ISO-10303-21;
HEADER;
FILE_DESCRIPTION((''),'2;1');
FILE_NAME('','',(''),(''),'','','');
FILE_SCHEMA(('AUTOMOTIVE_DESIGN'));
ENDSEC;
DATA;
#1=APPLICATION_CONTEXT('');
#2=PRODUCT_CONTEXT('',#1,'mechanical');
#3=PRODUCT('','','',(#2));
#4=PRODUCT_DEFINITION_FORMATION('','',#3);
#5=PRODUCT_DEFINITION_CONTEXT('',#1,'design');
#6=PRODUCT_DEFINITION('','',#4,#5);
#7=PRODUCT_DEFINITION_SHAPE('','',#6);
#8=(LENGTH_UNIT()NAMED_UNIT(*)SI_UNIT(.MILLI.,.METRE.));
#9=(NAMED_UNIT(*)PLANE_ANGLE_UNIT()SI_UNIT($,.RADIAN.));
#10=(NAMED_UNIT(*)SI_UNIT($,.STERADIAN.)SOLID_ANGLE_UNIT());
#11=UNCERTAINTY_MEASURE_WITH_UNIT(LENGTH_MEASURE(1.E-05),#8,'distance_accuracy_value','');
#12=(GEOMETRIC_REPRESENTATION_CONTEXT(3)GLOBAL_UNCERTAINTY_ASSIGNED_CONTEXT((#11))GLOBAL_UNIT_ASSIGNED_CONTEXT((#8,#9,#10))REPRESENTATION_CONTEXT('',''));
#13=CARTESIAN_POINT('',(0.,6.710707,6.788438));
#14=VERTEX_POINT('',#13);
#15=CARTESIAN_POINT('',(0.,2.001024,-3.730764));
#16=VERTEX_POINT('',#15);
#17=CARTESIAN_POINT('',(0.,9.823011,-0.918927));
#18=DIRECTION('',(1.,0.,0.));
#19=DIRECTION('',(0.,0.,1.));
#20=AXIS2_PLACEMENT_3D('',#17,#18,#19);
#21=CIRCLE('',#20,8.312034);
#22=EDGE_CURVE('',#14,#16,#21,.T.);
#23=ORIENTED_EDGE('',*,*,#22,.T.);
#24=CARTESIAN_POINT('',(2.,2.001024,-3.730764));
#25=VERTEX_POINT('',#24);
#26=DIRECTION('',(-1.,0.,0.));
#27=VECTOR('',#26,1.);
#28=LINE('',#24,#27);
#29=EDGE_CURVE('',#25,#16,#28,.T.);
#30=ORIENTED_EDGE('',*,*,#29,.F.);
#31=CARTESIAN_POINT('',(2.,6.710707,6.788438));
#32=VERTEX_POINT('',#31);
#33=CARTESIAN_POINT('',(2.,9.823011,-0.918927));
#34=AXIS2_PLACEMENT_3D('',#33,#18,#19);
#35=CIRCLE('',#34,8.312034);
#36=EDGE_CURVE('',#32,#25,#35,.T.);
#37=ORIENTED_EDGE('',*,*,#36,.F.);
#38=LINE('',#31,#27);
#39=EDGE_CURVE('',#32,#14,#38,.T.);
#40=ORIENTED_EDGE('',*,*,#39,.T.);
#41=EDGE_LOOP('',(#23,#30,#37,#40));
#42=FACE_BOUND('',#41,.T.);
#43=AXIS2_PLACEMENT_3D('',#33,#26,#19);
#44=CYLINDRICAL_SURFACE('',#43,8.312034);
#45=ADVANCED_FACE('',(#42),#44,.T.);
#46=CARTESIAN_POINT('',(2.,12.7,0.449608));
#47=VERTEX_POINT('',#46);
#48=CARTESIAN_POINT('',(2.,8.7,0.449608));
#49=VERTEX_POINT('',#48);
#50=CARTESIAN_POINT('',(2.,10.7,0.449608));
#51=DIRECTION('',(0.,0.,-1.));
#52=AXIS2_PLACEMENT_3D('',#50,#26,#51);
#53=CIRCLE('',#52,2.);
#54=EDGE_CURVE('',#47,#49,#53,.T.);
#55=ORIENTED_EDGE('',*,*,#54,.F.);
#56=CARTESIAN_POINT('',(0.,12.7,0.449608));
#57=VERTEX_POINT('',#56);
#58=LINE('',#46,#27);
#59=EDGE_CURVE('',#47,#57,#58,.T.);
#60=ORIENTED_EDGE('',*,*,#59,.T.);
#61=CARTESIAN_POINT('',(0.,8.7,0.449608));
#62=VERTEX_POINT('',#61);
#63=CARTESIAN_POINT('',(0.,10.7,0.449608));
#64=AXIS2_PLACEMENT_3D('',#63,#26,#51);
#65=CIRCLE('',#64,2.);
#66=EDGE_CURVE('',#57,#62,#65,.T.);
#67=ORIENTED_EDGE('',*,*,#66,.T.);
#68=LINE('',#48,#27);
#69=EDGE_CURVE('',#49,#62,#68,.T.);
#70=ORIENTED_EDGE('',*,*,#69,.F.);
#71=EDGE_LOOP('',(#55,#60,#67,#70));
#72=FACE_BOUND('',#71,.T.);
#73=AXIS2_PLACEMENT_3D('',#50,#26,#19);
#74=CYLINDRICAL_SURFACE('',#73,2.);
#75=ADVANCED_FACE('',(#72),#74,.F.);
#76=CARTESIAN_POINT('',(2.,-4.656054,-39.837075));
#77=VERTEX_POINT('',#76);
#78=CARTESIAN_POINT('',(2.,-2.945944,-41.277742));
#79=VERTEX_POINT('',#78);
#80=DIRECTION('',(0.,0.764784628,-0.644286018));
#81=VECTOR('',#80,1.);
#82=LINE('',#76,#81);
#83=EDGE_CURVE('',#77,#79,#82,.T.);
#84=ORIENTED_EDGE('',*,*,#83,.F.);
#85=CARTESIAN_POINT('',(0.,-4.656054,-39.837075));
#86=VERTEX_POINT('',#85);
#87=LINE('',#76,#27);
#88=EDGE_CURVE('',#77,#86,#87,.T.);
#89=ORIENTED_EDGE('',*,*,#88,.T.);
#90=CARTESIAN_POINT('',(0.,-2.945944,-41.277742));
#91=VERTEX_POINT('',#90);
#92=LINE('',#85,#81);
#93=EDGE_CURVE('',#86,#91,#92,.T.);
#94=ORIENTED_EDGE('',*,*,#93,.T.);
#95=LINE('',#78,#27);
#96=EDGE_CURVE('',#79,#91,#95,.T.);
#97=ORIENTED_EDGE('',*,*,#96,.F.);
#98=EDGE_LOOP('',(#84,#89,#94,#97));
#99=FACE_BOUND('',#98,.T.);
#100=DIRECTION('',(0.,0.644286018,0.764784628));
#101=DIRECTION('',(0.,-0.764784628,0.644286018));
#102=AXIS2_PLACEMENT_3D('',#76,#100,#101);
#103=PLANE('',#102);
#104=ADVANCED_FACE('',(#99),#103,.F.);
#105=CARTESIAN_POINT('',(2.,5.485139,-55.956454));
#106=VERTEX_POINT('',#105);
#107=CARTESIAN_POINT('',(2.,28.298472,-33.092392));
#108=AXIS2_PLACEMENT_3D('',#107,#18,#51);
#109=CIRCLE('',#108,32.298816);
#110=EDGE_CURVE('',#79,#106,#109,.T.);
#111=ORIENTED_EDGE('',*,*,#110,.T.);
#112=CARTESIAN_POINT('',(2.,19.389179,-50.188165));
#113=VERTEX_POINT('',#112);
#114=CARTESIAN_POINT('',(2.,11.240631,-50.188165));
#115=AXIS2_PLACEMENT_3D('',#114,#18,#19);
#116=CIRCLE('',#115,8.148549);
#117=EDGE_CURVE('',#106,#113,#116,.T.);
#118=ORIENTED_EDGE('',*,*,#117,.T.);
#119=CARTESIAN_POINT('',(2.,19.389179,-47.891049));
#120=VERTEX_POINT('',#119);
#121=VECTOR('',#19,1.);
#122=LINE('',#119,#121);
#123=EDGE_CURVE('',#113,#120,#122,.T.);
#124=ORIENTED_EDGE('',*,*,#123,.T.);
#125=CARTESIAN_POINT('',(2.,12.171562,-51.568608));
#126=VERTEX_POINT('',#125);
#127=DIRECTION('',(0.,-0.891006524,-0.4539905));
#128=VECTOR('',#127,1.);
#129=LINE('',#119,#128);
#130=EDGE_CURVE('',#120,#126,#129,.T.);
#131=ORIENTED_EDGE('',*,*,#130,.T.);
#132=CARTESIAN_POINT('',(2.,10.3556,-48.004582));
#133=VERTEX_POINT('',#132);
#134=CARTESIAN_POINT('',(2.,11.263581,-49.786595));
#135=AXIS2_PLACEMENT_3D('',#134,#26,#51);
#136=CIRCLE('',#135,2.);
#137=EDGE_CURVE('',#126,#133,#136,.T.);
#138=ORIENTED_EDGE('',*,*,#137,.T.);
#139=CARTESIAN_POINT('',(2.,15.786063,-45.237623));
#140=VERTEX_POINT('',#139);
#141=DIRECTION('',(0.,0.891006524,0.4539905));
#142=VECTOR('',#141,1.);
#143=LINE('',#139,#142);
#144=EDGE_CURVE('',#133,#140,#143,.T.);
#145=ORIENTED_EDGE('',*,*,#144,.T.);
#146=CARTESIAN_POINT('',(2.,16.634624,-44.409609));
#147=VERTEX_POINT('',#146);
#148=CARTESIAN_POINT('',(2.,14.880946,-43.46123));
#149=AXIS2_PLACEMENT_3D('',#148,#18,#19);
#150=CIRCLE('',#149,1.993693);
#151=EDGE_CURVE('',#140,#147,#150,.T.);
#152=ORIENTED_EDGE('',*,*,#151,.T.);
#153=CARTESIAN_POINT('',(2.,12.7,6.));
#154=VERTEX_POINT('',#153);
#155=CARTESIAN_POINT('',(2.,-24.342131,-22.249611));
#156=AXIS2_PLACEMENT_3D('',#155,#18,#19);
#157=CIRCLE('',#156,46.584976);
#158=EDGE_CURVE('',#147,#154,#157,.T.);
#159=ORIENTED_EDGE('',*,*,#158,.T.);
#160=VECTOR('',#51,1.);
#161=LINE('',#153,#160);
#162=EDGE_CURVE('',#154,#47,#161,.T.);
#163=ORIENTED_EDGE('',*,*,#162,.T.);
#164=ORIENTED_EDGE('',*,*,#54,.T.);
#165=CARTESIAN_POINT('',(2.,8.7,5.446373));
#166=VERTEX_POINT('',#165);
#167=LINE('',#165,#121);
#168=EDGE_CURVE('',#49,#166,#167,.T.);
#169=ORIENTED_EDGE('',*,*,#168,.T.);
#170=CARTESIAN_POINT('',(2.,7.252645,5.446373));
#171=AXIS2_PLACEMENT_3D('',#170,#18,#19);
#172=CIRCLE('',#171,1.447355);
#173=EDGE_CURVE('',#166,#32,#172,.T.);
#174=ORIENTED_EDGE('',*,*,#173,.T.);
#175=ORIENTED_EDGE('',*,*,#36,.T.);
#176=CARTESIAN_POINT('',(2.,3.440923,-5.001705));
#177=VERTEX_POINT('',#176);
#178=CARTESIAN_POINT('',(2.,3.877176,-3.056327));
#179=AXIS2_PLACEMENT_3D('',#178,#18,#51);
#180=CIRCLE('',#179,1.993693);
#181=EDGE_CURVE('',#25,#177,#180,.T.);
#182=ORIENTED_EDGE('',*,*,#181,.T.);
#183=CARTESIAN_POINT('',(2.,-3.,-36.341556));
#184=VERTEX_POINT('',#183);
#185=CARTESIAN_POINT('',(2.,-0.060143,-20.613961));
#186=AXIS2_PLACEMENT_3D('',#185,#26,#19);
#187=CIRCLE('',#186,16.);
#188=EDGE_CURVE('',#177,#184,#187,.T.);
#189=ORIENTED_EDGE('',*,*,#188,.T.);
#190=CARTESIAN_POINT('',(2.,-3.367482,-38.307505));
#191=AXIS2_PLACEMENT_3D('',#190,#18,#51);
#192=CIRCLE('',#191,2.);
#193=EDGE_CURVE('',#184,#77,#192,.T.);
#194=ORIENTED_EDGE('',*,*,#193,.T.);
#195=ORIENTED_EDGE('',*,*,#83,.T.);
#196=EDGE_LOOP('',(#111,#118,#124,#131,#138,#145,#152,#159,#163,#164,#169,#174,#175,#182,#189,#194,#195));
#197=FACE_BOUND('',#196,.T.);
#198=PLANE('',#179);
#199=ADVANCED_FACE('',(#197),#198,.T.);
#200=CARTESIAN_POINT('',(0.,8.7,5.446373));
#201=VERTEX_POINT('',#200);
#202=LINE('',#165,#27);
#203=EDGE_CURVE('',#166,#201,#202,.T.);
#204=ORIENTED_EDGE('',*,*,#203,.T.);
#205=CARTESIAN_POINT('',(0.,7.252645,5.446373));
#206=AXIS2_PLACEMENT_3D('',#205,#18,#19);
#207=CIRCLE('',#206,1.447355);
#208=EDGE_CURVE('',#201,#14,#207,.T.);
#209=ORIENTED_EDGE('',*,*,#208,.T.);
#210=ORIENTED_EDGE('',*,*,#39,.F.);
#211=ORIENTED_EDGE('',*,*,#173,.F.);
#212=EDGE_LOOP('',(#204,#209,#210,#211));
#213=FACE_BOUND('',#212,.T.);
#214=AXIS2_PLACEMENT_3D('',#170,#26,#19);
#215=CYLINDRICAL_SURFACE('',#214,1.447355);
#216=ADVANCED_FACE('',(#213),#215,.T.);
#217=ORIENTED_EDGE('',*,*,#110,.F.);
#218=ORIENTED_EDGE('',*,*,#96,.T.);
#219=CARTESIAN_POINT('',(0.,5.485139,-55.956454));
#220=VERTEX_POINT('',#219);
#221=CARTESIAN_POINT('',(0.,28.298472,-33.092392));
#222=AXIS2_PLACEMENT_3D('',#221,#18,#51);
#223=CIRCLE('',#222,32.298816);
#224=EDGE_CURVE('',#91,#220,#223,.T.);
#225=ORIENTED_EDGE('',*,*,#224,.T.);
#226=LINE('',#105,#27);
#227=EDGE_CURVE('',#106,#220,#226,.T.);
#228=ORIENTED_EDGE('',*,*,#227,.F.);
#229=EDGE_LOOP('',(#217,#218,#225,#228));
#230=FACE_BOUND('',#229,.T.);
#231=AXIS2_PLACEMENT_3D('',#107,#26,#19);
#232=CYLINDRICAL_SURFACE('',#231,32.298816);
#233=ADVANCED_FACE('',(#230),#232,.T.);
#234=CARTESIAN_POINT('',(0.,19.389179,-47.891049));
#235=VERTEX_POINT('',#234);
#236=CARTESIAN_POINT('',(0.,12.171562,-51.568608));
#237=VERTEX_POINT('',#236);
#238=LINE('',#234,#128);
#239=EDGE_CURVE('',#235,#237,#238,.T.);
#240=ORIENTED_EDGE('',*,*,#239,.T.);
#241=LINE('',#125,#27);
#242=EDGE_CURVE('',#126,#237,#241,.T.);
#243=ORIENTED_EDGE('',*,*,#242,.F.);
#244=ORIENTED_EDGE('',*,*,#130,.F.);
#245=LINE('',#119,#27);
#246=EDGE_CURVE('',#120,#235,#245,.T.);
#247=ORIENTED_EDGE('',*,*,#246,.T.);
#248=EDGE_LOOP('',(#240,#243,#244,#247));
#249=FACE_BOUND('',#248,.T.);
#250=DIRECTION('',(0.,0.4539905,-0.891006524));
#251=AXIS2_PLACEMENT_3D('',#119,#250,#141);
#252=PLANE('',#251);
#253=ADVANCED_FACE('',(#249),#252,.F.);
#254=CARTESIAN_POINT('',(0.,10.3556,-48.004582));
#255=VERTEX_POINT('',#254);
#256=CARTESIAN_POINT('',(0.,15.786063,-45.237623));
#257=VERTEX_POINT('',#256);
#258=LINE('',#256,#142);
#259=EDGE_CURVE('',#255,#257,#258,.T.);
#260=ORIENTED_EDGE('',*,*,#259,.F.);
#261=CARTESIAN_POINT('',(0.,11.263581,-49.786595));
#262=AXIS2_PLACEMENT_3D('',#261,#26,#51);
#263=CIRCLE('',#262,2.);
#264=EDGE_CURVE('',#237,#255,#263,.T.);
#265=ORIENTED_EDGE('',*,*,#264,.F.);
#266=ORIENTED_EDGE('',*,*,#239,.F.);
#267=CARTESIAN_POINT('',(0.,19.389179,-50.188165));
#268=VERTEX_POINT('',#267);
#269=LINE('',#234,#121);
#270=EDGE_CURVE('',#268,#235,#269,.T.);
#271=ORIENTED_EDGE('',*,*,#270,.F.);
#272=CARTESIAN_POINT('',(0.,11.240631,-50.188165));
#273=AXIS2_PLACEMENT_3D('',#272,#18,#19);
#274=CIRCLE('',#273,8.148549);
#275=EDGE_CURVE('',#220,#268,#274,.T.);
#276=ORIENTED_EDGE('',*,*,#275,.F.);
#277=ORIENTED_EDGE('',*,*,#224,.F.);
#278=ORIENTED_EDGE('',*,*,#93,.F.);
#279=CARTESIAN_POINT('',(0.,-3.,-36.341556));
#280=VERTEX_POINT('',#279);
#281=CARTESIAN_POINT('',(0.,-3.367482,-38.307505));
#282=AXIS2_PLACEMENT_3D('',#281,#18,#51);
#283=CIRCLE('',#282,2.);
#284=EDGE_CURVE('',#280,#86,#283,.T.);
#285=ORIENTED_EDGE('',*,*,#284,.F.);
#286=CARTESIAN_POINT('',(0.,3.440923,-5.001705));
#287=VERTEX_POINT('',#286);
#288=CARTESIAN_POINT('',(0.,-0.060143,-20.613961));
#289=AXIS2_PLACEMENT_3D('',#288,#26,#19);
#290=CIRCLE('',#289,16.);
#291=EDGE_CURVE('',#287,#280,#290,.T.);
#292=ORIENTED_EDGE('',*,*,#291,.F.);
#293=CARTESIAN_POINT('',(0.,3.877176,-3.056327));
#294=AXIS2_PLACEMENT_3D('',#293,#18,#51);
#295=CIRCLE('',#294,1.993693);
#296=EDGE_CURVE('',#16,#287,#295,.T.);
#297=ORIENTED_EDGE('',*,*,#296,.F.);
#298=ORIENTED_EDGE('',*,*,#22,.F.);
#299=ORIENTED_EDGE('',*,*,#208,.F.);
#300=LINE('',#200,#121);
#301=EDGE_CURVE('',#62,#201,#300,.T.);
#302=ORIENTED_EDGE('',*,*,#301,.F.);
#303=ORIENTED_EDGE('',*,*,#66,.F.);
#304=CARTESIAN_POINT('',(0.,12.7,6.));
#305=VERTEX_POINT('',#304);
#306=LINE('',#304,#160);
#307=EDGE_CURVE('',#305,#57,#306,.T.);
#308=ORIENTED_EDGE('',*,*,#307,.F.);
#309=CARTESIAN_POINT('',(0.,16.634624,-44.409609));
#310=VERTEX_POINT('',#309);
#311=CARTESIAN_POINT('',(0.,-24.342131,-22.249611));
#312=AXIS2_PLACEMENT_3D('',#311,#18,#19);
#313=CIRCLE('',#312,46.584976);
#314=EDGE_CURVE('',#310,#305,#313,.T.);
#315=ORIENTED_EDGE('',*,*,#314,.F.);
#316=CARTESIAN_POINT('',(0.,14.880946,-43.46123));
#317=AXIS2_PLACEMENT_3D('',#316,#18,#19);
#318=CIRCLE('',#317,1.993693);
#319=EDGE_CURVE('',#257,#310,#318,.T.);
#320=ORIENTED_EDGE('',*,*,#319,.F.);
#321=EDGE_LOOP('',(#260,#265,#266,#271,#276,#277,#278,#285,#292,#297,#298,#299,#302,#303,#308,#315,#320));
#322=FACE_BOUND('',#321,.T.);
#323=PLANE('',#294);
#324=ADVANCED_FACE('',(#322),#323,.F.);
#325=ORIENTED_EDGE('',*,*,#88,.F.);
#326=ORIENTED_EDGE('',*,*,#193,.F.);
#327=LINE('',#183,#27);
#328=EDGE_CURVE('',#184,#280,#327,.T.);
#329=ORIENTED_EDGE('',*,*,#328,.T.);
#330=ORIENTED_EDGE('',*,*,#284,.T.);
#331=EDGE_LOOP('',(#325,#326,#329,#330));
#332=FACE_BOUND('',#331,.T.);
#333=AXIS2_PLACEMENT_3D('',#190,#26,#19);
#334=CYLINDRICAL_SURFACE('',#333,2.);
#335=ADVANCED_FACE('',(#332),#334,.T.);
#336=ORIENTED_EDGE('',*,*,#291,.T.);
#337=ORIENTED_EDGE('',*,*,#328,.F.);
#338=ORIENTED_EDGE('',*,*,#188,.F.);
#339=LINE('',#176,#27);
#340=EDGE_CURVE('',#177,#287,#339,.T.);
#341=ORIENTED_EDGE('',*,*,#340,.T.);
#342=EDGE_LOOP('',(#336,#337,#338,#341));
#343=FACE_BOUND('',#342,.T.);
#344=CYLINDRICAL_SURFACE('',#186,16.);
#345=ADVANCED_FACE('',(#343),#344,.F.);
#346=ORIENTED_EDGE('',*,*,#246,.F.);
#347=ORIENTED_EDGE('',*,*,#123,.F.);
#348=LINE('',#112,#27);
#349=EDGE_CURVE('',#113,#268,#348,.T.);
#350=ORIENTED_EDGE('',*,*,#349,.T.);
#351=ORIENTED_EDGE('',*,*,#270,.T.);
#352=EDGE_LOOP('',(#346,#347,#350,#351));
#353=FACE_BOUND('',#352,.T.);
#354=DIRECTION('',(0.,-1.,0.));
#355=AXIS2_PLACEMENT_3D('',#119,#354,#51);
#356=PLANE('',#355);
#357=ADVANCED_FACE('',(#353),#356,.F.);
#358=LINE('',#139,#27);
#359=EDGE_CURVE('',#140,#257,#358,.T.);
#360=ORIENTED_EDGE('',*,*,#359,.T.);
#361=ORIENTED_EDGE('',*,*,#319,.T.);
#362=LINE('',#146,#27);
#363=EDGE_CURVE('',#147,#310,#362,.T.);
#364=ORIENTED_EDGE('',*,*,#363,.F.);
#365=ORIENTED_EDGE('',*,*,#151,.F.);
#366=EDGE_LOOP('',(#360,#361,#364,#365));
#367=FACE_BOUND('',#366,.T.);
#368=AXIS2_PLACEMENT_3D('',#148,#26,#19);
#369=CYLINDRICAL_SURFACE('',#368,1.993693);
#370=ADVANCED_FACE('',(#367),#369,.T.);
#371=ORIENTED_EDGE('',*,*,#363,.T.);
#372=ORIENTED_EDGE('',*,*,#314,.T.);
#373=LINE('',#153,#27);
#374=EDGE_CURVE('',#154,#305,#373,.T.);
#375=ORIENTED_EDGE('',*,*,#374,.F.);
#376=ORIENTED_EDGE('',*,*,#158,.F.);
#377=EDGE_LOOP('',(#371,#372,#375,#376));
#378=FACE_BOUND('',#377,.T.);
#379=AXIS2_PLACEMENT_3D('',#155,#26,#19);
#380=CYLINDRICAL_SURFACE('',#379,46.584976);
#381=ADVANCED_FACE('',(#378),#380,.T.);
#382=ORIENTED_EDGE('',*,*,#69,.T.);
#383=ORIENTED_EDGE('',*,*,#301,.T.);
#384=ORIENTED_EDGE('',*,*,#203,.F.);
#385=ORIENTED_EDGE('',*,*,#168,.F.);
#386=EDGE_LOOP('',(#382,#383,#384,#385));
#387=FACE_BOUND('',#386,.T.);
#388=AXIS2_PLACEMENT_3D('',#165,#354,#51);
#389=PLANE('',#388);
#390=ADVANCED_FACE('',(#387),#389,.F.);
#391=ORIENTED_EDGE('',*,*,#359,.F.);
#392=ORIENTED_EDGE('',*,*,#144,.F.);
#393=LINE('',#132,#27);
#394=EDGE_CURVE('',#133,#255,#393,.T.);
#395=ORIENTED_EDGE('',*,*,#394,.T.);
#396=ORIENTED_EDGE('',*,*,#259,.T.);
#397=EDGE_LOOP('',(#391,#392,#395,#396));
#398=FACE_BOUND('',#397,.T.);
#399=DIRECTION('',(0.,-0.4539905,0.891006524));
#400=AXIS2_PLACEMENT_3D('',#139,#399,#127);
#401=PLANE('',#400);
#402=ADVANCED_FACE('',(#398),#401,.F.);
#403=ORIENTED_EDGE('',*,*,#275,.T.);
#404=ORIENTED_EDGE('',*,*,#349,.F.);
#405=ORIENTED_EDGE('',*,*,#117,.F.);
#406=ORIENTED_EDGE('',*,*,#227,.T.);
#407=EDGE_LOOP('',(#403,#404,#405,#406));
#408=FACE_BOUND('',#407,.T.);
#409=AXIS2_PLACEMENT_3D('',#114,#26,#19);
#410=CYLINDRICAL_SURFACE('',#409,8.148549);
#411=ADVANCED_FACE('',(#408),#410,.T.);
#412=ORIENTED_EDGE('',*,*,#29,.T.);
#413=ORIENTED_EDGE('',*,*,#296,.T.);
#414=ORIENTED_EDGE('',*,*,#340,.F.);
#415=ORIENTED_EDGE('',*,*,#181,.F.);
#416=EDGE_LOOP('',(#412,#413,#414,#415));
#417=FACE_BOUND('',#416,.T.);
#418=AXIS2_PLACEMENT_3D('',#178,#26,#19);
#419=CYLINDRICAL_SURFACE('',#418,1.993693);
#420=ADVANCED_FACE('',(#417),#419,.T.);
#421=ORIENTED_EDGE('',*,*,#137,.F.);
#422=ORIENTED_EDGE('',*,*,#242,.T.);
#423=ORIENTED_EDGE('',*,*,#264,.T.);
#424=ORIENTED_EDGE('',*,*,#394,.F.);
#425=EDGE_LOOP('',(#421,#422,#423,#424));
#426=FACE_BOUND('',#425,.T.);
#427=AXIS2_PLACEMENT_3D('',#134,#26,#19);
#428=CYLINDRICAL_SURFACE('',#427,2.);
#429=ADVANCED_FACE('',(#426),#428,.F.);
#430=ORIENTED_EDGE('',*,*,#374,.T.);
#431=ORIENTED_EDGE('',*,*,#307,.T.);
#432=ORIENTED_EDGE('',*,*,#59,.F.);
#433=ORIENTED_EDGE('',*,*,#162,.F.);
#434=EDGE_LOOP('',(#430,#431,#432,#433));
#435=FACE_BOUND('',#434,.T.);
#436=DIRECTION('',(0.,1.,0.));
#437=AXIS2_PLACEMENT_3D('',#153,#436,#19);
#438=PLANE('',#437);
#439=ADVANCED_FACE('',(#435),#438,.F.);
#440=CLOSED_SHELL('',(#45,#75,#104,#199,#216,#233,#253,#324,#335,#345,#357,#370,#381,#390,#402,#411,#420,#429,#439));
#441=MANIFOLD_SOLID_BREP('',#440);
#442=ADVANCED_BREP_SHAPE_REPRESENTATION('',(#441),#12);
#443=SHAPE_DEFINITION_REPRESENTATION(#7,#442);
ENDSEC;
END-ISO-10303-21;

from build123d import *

# Parameters (mm, degrees)
RESSALTO_EXTRUS_O1_DEPTH = 2


with BuildPart() as part:
    # Esboço1 → Ressalto-extrusão1 (new body)
    with BuildSketch(Plane(origin=(0, 0, 0), x_dir=(0, 0, -1), z_dir=(1, 0, 0))):
        with BuildLine():
            Line((47.891048788, 19.389179081), (51.568608211, 12.171562323))
            ThreePointArc((51.568608211, 12.171562323), (50.694576162, 9.481568275), (48.004582114, 10.355600324))
            Line((48.004582114, 10.355600324), (45.23762298, 15.786063389))
            ThreePointArc((45.23762298, 15.786063389), (44.888153026, 16.27331816), (44.409608959, 16.634624175))
            ThreePointArc((44.409608959, 16.634624175), (18.624536688, 22.101585643), (-6, 12.7))
            Line((-6, 12.7), (-0.449608018, 12.7))
            ThreePointArc((-0.449608018, 12.7), (1.550391982, 10.7), (-0.449608018, 8.7))
            Line((-0.449608018, 8.7), (-5.446373062, 8.7))
            ThreePointArc((-5.446373062, 8.7), (-6.646208959, 8.062107753), (-6.788438162, 6.710707165))
            ThreePointArc((-6.788438162, 6.710707165), (-2.477663677, 2.236636341), (3.730763917, 2.001023917))
            ThreePointArc((3.730763917, 2.001023917), (4.55104613, 2.557847644), (5.001705215, 3.440922931))
            ThreePointArc((5.001705215, 3.440922931), (23.834938964, 15.61229456), (36.341556093, -3))
            ThreePointArc((36.341556093, -3), (37.451213604, -5.17490134), (39.837074711, -4.656054149))
            Line((39.837074711, -4.656054149), (41.277742045, -2.945943733))
            ThreePointArc((41.277742045, -2.945943733), (49.179258899, 0.290862483), (55.956453975, 5.485139138))
            ThreePointArc((55.956453975, 5.485139138), (57.714709062, 14.363124933), (50.18816454, 19.389179081))
            Line((50.18816454, 19.389179081), (47.891048788, 19.389179081))
        make_face()
    extrude(amount=RESSALTO_EXTRUS_O1_DEPTH)


solid = part.part
